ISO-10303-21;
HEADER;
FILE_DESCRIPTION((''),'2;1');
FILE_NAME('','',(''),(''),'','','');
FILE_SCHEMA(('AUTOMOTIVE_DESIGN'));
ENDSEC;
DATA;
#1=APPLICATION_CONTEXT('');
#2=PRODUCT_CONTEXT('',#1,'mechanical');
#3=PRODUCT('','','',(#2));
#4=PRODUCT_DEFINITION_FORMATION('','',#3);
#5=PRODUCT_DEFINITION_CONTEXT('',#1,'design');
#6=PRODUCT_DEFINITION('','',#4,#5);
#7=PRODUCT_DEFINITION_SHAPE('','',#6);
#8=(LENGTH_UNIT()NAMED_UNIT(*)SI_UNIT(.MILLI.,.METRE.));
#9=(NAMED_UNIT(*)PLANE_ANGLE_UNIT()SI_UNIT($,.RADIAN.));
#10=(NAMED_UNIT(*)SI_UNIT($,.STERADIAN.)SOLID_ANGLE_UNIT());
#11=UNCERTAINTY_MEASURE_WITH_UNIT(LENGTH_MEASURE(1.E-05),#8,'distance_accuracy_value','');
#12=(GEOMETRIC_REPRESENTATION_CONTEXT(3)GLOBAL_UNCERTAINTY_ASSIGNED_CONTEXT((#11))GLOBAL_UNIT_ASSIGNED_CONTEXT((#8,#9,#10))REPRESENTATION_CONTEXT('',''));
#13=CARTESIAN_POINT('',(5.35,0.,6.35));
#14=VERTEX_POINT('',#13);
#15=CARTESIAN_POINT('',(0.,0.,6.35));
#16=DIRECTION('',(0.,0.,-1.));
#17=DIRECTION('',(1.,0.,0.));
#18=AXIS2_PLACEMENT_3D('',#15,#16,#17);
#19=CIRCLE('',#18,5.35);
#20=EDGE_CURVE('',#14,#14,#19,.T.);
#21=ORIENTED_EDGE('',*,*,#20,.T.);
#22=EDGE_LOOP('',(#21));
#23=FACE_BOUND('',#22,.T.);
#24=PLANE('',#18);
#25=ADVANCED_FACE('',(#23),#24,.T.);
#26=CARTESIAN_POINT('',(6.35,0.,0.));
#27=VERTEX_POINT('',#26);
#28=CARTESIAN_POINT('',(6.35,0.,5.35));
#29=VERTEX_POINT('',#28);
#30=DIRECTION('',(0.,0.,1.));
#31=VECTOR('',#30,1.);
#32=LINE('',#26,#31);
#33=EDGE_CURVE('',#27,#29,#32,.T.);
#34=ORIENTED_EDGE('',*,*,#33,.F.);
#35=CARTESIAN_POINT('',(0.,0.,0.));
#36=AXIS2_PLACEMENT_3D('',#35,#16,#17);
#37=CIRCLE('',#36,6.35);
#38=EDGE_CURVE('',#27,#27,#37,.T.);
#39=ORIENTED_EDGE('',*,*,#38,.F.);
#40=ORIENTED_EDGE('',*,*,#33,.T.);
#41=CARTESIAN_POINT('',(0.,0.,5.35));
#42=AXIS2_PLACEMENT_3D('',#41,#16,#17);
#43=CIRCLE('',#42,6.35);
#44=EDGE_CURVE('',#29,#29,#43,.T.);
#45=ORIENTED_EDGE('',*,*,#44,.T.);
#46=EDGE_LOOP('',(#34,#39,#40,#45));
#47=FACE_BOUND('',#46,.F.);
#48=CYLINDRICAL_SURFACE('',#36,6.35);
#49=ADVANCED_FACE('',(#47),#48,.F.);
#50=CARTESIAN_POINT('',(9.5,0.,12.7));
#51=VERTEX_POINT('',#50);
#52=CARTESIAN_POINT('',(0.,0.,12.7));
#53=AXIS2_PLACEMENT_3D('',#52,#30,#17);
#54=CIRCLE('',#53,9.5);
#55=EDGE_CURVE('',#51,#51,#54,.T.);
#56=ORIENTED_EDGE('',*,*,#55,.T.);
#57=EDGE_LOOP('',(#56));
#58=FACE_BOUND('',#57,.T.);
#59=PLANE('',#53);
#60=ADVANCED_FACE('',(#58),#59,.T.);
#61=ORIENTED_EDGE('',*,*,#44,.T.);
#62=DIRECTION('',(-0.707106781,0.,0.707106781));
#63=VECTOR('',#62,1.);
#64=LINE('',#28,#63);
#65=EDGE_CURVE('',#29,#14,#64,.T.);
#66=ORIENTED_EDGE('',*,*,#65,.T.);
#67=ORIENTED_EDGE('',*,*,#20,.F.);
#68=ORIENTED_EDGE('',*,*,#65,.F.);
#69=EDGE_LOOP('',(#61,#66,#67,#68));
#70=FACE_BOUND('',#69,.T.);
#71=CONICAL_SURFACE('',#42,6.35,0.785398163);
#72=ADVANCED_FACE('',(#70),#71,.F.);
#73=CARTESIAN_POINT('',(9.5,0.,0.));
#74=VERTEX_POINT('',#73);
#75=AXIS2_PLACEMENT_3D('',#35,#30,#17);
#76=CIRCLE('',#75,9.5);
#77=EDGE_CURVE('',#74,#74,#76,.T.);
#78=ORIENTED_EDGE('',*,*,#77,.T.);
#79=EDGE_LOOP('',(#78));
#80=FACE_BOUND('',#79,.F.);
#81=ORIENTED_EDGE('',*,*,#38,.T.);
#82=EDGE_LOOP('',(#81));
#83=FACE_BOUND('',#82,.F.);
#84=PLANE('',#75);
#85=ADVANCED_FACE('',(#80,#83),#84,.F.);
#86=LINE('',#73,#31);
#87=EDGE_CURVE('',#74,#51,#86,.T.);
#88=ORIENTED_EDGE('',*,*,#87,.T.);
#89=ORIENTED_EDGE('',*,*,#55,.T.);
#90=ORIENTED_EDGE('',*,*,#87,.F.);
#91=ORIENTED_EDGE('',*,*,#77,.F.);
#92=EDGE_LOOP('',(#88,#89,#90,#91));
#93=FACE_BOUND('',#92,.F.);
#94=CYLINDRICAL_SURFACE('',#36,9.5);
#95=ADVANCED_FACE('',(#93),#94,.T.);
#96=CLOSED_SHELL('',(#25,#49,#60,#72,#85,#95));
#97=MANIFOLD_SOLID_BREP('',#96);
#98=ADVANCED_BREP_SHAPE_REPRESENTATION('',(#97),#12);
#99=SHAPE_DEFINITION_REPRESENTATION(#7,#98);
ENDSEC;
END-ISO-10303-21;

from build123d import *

# Parameters (mm, degrees)
SKETCH_R     = 9.5
PAD_DEPTH    = 12.7
SKETCH001_R  = 6.35
POCKET_DEPTH = 6.35
CHAMFER_SIZE = 1


with BuildPart() as part:
    # Sketch → Pad (new body)
    with BuildSketch(Plane.XY):
        Circle(SKETCH_R)
    extrude(amount=PAD_DEPTH)

    # Sketch001 (on Face2 of Pad) → Pocket (cut)
    with BuildSketch(Plane(origin=(0, 0, 0), x_dir=(1, 0, 0), z_dir=(0, 0, -1))):
        Circle(SKETCH001_R)
    extrude(amount=-POCKET_DEPTH, mode=Mode.SUBTRACT)

    # Chamfer
    chamfer_edges = [part.edges().sort_by_distance(p)[0] for p in [
        (-6.35, 0, 6.35),
    ]]
    chamfer(chamfer_edges, length=CHAMFER_SIZE)


solid = part.part
